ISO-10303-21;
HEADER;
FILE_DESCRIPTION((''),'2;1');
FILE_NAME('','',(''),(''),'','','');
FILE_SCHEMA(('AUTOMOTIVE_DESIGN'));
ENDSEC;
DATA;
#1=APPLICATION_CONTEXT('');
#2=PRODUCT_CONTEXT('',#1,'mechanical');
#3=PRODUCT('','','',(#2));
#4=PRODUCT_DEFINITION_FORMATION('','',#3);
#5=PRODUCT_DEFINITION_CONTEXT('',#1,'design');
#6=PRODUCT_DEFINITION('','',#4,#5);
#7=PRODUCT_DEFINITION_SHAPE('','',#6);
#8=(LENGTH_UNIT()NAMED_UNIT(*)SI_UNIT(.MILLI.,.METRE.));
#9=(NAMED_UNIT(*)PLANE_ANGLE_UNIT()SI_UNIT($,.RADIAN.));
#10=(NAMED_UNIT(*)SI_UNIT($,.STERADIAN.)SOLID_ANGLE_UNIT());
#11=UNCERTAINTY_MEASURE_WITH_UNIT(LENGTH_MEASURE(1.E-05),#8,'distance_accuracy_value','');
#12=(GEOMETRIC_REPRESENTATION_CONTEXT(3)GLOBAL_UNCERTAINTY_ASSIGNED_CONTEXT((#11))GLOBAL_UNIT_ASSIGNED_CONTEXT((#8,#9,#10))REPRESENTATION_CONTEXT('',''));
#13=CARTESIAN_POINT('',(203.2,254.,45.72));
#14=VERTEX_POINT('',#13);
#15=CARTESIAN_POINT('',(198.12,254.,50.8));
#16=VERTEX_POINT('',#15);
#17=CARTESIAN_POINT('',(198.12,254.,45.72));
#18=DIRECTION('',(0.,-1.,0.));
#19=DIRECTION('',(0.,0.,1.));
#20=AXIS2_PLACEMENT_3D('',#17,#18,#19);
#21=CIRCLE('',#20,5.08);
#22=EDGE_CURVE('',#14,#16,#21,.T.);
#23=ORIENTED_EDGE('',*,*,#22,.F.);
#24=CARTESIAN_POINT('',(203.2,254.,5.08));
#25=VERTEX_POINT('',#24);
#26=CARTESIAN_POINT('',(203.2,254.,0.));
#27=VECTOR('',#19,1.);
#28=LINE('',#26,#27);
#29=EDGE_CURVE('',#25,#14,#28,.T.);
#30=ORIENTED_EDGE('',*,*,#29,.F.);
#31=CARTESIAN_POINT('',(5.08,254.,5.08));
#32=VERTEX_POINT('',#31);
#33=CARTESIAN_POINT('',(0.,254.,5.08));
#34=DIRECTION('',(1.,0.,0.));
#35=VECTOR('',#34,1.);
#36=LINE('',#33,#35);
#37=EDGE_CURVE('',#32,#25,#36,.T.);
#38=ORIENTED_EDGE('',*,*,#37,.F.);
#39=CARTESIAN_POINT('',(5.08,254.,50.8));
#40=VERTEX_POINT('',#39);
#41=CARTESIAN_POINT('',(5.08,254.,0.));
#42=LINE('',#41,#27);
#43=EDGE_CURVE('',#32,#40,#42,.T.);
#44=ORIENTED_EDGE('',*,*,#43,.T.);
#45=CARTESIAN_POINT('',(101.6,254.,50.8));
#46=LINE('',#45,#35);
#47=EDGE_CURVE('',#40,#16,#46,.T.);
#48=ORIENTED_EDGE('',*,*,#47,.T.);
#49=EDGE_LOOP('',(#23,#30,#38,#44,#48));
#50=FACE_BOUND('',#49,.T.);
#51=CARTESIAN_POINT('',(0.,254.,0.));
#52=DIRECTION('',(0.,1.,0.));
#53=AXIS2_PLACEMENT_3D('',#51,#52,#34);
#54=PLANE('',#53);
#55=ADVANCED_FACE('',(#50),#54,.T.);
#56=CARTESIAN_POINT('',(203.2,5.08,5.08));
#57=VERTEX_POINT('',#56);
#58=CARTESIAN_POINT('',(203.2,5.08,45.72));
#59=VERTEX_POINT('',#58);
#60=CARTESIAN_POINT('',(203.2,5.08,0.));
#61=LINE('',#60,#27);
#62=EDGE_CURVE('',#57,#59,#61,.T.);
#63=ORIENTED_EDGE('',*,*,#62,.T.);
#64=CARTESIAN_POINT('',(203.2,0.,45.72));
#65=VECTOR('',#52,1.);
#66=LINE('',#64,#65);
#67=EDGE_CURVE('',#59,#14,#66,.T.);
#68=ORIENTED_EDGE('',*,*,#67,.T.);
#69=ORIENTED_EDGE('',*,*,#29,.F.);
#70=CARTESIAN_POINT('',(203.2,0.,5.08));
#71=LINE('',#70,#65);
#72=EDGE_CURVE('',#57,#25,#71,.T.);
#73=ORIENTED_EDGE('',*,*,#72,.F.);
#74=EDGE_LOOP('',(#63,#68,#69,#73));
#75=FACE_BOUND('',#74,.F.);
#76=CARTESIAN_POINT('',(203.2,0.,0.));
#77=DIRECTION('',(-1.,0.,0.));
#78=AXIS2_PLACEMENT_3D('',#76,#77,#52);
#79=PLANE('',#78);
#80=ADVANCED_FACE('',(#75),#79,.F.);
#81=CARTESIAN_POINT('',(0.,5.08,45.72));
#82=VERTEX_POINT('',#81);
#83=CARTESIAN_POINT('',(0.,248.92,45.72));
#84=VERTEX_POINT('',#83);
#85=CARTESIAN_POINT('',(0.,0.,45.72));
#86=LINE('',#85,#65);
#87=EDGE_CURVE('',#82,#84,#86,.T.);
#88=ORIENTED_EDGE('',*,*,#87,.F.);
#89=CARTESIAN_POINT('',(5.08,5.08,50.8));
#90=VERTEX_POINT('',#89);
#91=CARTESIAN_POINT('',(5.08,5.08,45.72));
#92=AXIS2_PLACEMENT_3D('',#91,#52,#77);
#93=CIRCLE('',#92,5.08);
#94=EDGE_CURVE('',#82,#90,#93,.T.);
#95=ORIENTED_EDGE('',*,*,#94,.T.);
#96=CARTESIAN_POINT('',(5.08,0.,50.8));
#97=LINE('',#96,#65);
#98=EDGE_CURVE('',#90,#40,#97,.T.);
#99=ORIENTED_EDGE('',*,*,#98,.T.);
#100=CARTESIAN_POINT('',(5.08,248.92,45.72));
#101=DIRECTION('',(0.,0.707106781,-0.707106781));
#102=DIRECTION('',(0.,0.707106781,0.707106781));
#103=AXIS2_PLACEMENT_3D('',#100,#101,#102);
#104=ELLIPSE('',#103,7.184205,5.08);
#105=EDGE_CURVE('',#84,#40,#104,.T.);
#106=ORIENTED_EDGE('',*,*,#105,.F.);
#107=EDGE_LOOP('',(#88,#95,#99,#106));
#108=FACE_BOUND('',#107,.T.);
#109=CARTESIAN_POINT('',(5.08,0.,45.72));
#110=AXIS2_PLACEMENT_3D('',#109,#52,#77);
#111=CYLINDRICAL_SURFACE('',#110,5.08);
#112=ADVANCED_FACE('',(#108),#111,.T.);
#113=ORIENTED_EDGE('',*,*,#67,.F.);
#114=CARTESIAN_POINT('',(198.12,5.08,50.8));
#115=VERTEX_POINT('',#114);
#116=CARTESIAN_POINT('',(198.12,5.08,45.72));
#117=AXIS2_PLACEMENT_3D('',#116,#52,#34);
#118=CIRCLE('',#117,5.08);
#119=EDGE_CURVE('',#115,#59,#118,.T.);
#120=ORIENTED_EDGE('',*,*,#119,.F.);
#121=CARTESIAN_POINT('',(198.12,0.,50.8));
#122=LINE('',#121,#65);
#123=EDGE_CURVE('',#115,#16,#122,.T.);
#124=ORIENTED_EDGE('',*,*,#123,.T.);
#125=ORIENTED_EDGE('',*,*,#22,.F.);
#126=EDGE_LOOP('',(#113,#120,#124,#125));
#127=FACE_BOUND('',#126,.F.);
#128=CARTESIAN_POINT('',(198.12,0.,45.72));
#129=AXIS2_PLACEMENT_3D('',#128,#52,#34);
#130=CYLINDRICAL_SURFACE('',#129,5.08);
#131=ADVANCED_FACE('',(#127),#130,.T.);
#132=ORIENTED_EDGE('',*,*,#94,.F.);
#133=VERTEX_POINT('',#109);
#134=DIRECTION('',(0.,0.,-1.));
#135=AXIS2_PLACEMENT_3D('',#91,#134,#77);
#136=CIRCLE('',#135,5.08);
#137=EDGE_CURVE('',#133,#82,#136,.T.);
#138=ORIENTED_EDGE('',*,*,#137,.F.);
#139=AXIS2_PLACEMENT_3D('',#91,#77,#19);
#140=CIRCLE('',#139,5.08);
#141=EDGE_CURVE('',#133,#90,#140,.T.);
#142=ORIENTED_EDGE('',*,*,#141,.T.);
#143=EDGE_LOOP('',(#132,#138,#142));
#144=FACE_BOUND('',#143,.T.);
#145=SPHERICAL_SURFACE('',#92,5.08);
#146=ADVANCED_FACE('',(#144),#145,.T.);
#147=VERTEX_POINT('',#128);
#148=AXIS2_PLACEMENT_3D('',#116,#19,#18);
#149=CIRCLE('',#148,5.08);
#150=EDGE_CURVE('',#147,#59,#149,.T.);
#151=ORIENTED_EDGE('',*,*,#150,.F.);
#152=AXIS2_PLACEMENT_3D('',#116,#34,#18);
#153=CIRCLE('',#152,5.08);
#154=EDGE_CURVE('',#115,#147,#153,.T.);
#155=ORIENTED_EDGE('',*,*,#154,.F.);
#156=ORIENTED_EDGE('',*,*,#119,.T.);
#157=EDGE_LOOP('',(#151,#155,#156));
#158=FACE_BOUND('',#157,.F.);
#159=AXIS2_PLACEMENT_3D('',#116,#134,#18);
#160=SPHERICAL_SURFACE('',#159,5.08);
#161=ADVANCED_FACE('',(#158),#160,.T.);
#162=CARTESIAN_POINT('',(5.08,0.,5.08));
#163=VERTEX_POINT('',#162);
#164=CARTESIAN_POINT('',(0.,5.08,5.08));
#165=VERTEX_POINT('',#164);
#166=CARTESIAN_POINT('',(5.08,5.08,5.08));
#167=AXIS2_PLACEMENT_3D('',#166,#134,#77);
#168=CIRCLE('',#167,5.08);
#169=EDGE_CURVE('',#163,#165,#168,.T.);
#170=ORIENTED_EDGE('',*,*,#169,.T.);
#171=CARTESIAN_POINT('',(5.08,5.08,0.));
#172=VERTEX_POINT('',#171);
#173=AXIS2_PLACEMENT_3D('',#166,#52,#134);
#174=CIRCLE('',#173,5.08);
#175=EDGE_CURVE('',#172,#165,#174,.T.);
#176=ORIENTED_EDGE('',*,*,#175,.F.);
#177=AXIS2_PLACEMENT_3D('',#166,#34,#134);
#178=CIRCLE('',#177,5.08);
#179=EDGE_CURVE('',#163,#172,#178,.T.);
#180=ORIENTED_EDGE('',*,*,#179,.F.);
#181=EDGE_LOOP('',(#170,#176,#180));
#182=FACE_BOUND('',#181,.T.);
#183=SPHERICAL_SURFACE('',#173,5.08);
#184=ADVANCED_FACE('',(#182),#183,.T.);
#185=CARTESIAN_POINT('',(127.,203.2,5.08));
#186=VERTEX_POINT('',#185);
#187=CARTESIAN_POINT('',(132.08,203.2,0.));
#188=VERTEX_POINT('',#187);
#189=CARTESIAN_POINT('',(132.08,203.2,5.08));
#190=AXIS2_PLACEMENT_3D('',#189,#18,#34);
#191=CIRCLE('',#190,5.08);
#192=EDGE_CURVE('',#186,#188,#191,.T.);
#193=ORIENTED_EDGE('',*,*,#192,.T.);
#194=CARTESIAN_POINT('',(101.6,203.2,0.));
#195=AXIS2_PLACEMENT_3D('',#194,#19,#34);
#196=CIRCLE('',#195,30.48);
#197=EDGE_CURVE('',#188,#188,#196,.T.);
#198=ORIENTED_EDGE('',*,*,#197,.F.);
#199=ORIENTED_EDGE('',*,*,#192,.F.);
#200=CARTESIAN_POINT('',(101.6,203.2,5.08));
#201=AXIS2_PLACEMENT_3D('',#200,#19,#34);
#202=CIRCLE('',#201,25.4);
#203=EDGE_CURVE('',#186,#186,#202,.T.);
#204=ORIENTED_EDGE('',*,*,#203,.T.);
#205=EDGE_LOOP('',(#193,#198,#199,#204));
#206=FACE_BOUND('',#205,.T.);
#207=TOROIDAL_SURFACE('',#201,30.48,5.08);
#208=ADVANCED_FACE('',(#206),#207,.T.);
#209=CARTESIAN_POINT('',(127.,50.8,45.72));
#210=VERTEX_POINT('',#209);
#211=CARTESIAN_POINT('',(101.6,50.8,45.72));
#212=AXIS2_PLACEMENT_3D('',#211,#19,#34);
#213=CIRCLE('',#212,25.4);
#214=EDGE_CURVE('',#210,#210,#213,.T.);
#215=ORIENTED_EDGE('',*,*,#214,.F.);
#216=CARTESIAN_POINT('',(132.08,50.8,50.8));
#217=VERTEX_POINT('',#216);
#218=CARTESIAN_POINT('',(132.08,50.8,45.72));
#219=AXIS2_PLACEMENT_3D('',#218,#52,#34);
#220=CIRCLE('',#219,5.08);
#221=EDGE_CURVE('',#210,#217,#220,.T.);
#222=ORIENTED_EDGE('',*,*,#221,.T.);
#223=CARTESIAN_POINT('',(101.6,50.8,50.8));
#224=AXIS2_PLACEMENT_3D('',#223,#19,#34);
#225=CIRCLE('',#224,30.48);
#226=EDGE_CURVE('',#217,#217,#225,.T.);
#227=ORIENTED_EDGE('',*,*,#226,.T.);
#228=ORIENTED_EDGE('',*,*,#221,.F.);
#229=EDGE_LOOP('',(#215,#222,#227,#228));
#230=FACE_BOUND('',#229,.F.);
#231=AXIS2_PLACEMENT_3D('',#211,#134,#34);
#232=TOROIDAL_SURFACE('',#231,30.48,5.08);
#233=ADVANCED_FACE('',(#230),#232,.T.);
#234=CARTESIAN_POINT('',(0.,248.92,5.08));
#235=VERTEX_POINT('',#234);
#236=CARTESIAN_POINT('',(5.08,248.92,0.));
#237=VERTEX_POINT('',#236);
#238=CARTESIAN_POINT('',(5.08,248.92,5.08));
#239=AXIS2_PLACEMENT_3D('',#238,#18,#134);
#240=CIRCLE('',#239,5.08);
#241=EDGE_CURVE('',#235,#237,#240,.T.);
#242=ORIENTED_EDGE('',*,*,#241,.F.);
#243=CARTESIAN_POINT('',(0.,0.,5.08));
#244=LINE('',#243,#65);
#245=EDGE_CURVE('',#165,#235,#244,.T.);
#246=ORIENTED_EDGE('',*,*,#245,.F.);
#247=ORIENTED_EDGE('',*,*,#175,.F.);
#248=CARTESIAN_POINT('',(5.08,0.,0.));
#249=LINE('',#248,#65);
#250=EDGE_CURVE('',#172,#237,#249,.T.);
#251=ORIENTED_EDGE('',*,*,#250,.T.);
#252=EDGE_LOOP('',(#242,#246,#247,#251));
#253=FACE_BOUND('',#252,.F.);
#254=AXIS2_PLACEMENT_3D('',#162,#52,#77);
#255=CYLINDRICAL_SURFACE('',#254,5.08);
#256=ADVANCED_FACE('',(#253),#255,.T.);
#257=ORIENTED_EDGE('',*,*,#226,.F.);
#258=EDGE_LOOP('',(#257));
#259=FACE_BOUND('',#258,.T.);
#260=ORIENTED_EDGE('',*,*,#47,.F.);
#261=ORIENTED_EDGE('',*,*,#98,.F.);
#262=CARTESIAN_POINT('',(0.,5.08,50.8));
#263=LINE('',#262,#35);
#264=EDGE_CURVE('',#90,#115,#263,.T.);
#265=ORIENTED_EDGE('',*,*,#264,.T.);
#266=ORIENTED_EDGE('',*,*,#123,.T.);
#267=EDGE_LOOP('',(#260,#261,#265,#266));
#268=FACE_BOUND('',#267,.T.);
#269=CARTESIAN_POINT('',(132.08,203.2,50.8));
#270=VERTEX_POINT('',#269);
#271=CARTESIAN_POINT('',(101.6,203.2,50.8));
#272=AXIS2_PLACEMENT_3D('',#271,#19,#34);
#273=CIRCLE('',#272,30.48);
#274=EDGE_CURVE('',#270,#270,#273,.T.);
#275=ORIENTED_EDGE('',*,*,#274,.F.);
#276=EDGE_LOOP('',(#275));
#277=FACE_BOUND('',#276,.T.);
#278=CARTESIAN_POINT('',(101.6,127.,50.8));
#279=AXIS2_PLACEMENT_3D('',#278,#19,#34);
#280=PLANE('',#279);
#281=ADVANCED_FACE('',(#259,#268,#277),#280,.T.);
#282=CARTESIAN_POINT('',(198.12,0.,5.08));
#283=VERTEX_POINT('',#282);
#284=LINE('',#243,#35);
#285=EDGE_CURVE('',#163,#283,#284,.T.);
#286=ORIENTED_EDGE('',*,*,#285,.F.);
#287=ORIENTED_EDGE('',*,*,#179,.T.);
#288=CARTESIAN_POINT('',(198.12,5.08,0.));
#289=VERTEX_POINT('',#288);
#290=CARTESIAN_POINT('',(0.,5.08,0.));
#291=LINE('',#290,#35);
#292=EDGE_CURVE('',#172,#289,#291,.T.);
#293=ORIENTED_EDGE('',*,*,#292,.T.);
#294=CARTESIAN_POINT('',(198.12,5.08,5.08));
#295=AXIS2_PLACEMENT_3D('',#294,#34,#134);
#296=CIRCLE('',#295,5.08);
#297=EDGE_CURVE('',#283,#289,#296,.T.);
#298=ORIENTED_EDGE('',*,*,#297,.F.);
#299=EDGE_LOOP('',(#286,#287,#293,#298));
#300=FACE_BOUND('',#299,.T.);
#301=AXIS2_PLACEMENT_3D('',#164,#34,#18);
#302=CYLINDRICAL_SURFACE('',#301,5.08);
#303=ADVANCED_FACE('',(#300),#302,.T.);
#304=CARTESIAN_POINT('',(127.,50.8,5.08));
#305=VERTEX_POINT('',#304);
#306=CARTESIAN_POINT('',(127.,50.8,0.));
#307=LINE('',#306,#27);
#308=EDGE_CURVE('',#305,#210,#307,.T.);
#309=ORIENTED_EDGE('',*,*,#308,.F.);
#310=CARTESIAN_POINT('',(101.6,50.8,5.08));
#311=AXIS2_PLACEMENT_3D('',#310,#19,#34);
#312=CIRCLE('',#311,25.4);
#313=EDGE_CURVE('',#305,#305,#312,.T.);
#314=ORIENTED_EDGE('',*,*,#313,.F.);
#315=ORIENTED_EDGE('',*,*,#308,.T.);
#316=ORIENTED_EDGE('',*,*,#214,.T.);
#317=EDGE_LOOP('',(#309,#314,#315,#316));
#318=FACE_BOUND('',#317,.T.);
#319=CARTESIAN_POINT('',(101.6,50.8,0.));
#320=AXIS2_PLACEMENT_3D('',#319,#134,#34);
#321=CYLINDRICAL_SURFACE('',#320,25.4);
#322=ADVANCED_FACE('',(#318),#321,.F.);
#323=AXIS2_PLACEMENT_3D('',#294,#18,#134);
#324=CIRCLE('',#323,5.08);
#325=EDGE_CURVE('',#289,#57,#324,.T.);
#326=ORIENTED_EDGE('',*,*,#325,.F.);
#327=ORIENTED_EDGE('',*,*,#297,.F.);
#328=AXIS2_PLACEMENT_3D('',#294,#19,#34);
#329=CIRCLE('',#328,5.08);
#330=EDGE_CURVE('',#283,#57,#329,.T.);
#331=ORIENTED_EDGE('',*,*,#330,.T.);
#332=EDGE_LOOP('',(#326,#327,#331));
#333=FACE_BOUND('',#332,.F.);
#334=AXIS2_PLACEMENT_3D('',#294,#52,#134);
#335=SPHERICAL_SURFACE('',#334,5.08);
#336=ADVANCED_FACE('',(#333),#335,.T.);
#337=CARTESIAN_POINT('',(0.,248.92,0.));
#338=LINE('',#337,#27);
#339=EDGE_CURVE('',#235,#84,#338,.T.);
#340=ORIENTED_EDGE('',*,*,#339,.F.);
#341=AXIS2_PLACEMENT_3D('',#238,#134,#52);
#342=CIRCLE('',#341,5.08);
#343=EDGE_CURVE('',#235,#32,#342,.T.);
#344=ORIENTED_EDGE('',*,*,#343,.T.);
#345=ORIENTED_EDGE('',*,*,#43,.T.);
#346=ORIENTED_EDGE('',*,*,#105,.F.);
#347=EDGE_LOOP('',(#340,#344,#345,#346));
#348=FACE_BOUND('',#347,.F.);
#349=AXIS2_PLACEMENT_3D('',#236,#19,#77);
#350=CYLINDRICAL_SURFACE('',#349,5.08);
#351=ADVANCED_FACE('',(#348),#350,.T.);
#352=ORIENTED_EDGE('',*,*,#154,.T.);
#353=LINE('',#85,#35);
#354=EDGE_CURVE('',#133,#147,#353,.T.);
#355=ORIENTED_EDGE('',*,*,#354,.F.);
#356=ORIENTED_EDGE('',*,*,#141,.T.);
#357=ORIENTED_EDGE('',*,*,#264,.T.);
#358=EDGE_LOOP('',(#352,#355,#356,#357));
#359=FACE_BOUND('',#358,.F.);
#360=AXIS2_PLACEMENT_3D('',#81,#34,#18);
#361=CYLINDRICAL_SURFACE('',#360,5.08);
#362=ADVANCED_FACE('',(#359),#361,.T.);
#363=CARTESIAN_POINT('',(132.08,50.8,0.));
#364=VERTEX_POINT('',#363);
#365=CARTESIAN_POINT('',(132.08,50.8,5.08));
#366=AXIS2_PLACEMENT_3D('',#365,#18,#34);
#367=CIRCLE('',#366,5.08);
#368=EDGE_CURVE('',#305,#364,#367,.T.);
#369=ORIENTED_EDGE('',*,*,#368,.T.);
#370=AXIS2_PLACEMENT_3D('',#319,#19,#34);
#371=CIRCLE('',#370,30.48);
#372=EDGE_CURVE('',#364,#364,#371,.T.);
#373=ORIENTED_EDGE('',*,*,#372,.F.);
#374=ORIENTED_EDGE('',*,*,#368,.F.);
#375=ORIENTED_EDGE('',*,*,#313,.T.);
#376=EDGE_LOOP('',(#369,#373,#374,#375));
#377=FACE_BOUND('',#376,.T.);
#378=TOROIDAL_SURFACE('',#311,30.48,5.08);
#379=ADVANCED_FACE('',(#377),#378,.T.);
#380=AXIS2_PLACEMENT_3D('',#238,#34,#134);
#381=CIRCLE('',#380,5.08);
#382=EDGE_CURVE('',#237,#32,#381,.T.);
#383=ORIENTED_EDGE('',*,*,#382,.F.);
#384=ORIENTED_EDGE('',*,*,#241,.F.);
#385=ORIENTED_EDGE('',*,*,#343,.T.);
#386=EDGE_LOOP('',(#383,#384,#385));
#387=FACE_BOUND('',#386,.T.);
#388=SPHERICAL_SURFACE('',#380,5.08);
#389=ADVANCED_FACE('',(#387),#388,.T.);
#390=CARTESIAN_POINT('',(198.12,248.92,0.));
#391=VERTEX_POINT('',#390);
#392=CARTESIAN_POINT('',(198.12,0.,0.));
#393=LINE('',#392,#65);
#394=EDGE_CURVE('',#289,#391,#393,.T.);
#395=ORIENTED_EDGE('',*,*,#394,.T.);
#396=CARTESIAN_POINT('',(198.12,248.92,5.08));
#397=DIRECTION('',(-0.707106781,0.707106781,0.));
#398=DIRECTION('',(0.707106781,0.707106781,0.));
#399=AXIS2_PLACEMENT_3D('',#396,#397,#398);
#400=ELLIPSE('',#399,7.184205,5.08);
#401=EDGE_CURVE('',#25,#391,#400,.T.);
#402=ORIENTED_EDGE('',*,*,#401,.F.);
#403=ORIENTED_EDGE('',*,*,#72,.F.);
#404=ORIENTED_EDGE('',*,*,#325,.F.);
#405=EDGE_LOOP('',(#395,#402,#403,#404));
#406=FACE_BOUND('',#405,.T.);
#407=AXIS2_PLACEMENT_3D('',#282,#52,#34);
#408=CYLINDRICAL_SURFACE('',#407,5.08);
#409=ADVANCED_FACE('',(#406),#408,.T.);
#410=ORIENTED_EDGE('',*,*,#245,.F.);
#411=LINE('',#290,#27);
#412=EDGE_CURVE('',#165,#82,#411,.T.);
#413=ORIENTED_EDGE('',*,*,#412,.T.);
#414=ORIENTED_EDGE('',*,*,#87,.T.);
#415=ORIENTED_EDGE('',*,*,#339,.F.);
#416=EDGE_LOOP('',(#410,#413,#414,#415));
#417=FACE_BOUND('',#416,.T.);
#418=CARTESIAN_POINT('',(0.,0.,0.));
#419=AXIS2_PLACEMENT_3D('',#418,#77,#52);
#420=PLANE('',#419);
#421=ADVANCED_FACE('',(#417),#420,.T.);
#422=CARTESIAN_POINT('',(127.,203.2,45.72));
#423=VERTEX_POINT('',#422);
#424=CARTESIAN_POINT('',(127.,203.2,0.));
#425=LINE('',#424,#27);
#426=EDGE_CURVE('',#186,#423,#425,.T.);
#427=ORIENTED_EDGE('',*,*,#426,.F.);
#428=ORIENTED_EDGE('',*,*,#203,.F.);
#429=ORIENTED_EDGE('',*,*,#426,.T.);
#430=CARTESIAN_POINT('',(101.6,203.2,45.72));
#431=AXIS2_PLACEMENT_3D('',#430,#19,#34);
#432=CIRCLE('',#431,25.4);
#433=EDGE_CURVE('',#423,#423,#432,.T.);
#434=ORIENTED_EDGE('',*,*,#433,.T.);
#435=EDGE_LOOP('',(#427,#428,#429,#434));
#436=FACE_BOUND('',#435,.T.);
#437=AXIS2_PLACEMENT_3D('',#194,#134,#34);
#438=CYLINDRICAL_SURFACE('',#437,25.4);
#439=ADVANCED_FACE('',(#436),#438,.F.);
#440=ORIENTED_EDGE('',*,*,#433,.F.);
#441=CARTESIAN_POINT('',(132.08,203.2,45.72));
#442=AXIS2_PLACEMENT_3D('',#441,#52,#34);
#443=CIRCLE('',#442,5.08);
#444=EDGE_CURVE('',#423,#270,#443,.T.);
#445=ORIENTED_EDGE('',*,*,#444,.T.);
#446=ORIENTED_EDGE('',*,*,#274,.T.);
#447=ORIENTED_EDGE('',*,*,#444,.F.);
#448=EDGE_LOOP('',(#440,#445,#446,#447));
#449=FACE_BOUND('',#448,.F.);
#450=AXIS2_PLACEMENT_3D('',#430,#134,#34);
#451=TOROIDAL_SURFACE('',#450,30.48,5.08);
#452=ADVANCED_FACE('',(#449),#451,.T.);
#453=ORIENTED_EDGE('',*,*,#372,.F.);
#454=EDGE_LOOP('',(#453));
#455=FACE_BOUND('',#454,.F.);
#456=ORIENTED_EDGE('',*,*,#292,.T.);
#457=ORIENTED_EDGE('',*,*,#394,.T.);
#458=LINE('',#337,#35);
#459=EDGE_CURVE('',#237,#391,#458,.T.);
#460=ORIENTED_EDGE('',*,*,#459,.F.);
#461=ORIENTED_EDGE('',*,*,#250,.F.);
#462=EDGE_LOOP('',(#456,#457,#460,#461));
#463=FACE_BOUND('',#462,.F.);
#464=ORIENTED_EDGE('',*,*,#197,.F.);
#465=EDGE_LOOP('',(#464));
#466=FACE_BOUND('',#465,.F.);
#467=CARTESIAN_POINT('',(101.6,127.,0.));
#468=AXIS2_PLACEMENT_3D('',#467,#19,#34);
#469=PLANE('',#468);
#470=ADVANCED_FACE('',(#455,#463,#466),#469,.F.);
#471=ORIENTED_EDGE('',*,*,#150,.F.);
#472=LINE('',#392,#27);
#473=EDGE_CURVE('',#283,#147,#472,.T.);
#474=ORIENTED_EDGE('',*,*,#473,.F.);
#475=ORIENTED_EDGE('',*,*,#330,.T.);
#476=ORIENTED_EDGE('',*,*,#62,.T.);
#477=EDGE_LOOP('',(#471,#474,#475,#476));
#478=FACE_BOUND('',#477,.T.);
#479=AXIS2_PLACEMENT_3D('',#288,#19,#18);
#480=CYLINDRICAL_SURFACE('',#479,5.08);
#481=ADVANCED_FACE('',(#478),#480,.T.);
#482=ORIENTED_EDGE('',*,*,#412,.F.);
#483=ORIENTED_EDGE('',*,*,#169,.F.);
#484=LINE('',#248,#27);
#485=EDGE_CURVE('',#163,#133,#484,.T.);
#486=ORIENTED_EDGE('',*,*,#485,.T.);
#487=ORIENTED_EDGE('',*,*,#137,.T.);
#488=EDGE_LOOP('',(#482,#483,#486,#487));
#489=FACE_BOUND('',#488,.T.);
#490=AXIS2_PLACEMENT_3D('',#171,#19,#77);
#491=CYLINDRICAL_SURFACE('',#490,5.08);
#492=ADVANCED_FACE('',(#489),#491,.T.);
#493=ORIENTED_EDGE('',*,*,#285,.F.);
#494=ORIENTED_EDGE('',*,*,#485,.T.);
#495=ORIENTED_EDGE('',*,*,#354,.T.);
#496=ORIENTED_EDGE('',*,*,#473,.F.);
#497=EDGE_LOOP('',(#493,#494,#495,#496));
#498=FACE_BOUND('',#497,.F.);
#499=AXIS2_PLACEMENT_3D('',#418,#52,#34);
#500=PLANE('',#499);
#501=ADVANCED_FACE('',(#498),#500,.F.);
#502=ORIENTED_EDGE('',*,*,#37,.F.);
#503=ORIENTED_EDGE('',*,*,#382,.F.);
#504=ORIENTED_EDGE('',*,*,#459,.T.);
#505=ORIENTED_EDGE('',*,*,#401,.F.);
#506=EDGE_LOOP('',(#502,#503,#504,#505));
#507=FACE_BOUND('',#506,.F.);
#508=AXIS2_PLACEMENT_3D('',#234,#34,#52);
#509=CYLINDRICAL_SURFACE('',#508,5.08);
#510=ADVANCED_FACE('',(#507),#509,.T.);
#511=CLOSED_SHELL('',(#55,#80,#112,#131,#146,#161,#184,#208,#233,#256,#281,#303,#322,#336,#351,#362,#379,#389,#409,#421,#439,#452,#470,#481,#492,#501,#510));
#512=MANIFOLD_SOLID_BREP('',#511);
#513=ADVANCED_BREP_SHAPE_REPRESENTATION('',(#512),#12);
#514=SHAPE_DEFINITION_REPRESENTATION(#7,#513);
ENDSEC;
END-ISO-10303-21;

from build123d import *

# Parameters (mm, degrees)
F0_W     = 203.2
F0_H     = 254
F0_R     = 25.4
F1_DEPTH = 50.8
F2_R     = 5.08


with BuildPart() as f1:
    # F0 (on Top) → F1 (new body)
    with BuildSketch(Plane.XY):
        with Locations((101.6, 127)):
            Rectangle(F0_W, F0_H)
        with Locations((101.6, 50.8)):
            Circle(F0_R, mode=Mode.SUBTRACT)
        with Locations((101.6, 203.2)):
            Circle(F0_R, mode=Mode.SUBTRACT)
    extrude(amount=F1_DEPTH)

    # F2
    f2_edges = [f1.edges().sort_by_distance(p)[0] for p in [
        (101.6, 254, 0),
        (76.2, 203.2, 0),
        (0, 127, 0),
        (0, 127, 50.8),
        (0, 254, 25.4),
        (76.2, 50.8, 0),
        (203.2, 127, 0),
        (101.6, 0, 0),
        (0, 0, 25.4),
        (76.2, 203.2, 50.8),
        (76.2, 50.8, 50.8),
        (203.2, 0, 25.4),
        (101.6, 0, 50.8),
        (203.2, 127, 50.8),
    ]]
    fillet(f2_edges, radius=F2_R)


solid = f1.part
